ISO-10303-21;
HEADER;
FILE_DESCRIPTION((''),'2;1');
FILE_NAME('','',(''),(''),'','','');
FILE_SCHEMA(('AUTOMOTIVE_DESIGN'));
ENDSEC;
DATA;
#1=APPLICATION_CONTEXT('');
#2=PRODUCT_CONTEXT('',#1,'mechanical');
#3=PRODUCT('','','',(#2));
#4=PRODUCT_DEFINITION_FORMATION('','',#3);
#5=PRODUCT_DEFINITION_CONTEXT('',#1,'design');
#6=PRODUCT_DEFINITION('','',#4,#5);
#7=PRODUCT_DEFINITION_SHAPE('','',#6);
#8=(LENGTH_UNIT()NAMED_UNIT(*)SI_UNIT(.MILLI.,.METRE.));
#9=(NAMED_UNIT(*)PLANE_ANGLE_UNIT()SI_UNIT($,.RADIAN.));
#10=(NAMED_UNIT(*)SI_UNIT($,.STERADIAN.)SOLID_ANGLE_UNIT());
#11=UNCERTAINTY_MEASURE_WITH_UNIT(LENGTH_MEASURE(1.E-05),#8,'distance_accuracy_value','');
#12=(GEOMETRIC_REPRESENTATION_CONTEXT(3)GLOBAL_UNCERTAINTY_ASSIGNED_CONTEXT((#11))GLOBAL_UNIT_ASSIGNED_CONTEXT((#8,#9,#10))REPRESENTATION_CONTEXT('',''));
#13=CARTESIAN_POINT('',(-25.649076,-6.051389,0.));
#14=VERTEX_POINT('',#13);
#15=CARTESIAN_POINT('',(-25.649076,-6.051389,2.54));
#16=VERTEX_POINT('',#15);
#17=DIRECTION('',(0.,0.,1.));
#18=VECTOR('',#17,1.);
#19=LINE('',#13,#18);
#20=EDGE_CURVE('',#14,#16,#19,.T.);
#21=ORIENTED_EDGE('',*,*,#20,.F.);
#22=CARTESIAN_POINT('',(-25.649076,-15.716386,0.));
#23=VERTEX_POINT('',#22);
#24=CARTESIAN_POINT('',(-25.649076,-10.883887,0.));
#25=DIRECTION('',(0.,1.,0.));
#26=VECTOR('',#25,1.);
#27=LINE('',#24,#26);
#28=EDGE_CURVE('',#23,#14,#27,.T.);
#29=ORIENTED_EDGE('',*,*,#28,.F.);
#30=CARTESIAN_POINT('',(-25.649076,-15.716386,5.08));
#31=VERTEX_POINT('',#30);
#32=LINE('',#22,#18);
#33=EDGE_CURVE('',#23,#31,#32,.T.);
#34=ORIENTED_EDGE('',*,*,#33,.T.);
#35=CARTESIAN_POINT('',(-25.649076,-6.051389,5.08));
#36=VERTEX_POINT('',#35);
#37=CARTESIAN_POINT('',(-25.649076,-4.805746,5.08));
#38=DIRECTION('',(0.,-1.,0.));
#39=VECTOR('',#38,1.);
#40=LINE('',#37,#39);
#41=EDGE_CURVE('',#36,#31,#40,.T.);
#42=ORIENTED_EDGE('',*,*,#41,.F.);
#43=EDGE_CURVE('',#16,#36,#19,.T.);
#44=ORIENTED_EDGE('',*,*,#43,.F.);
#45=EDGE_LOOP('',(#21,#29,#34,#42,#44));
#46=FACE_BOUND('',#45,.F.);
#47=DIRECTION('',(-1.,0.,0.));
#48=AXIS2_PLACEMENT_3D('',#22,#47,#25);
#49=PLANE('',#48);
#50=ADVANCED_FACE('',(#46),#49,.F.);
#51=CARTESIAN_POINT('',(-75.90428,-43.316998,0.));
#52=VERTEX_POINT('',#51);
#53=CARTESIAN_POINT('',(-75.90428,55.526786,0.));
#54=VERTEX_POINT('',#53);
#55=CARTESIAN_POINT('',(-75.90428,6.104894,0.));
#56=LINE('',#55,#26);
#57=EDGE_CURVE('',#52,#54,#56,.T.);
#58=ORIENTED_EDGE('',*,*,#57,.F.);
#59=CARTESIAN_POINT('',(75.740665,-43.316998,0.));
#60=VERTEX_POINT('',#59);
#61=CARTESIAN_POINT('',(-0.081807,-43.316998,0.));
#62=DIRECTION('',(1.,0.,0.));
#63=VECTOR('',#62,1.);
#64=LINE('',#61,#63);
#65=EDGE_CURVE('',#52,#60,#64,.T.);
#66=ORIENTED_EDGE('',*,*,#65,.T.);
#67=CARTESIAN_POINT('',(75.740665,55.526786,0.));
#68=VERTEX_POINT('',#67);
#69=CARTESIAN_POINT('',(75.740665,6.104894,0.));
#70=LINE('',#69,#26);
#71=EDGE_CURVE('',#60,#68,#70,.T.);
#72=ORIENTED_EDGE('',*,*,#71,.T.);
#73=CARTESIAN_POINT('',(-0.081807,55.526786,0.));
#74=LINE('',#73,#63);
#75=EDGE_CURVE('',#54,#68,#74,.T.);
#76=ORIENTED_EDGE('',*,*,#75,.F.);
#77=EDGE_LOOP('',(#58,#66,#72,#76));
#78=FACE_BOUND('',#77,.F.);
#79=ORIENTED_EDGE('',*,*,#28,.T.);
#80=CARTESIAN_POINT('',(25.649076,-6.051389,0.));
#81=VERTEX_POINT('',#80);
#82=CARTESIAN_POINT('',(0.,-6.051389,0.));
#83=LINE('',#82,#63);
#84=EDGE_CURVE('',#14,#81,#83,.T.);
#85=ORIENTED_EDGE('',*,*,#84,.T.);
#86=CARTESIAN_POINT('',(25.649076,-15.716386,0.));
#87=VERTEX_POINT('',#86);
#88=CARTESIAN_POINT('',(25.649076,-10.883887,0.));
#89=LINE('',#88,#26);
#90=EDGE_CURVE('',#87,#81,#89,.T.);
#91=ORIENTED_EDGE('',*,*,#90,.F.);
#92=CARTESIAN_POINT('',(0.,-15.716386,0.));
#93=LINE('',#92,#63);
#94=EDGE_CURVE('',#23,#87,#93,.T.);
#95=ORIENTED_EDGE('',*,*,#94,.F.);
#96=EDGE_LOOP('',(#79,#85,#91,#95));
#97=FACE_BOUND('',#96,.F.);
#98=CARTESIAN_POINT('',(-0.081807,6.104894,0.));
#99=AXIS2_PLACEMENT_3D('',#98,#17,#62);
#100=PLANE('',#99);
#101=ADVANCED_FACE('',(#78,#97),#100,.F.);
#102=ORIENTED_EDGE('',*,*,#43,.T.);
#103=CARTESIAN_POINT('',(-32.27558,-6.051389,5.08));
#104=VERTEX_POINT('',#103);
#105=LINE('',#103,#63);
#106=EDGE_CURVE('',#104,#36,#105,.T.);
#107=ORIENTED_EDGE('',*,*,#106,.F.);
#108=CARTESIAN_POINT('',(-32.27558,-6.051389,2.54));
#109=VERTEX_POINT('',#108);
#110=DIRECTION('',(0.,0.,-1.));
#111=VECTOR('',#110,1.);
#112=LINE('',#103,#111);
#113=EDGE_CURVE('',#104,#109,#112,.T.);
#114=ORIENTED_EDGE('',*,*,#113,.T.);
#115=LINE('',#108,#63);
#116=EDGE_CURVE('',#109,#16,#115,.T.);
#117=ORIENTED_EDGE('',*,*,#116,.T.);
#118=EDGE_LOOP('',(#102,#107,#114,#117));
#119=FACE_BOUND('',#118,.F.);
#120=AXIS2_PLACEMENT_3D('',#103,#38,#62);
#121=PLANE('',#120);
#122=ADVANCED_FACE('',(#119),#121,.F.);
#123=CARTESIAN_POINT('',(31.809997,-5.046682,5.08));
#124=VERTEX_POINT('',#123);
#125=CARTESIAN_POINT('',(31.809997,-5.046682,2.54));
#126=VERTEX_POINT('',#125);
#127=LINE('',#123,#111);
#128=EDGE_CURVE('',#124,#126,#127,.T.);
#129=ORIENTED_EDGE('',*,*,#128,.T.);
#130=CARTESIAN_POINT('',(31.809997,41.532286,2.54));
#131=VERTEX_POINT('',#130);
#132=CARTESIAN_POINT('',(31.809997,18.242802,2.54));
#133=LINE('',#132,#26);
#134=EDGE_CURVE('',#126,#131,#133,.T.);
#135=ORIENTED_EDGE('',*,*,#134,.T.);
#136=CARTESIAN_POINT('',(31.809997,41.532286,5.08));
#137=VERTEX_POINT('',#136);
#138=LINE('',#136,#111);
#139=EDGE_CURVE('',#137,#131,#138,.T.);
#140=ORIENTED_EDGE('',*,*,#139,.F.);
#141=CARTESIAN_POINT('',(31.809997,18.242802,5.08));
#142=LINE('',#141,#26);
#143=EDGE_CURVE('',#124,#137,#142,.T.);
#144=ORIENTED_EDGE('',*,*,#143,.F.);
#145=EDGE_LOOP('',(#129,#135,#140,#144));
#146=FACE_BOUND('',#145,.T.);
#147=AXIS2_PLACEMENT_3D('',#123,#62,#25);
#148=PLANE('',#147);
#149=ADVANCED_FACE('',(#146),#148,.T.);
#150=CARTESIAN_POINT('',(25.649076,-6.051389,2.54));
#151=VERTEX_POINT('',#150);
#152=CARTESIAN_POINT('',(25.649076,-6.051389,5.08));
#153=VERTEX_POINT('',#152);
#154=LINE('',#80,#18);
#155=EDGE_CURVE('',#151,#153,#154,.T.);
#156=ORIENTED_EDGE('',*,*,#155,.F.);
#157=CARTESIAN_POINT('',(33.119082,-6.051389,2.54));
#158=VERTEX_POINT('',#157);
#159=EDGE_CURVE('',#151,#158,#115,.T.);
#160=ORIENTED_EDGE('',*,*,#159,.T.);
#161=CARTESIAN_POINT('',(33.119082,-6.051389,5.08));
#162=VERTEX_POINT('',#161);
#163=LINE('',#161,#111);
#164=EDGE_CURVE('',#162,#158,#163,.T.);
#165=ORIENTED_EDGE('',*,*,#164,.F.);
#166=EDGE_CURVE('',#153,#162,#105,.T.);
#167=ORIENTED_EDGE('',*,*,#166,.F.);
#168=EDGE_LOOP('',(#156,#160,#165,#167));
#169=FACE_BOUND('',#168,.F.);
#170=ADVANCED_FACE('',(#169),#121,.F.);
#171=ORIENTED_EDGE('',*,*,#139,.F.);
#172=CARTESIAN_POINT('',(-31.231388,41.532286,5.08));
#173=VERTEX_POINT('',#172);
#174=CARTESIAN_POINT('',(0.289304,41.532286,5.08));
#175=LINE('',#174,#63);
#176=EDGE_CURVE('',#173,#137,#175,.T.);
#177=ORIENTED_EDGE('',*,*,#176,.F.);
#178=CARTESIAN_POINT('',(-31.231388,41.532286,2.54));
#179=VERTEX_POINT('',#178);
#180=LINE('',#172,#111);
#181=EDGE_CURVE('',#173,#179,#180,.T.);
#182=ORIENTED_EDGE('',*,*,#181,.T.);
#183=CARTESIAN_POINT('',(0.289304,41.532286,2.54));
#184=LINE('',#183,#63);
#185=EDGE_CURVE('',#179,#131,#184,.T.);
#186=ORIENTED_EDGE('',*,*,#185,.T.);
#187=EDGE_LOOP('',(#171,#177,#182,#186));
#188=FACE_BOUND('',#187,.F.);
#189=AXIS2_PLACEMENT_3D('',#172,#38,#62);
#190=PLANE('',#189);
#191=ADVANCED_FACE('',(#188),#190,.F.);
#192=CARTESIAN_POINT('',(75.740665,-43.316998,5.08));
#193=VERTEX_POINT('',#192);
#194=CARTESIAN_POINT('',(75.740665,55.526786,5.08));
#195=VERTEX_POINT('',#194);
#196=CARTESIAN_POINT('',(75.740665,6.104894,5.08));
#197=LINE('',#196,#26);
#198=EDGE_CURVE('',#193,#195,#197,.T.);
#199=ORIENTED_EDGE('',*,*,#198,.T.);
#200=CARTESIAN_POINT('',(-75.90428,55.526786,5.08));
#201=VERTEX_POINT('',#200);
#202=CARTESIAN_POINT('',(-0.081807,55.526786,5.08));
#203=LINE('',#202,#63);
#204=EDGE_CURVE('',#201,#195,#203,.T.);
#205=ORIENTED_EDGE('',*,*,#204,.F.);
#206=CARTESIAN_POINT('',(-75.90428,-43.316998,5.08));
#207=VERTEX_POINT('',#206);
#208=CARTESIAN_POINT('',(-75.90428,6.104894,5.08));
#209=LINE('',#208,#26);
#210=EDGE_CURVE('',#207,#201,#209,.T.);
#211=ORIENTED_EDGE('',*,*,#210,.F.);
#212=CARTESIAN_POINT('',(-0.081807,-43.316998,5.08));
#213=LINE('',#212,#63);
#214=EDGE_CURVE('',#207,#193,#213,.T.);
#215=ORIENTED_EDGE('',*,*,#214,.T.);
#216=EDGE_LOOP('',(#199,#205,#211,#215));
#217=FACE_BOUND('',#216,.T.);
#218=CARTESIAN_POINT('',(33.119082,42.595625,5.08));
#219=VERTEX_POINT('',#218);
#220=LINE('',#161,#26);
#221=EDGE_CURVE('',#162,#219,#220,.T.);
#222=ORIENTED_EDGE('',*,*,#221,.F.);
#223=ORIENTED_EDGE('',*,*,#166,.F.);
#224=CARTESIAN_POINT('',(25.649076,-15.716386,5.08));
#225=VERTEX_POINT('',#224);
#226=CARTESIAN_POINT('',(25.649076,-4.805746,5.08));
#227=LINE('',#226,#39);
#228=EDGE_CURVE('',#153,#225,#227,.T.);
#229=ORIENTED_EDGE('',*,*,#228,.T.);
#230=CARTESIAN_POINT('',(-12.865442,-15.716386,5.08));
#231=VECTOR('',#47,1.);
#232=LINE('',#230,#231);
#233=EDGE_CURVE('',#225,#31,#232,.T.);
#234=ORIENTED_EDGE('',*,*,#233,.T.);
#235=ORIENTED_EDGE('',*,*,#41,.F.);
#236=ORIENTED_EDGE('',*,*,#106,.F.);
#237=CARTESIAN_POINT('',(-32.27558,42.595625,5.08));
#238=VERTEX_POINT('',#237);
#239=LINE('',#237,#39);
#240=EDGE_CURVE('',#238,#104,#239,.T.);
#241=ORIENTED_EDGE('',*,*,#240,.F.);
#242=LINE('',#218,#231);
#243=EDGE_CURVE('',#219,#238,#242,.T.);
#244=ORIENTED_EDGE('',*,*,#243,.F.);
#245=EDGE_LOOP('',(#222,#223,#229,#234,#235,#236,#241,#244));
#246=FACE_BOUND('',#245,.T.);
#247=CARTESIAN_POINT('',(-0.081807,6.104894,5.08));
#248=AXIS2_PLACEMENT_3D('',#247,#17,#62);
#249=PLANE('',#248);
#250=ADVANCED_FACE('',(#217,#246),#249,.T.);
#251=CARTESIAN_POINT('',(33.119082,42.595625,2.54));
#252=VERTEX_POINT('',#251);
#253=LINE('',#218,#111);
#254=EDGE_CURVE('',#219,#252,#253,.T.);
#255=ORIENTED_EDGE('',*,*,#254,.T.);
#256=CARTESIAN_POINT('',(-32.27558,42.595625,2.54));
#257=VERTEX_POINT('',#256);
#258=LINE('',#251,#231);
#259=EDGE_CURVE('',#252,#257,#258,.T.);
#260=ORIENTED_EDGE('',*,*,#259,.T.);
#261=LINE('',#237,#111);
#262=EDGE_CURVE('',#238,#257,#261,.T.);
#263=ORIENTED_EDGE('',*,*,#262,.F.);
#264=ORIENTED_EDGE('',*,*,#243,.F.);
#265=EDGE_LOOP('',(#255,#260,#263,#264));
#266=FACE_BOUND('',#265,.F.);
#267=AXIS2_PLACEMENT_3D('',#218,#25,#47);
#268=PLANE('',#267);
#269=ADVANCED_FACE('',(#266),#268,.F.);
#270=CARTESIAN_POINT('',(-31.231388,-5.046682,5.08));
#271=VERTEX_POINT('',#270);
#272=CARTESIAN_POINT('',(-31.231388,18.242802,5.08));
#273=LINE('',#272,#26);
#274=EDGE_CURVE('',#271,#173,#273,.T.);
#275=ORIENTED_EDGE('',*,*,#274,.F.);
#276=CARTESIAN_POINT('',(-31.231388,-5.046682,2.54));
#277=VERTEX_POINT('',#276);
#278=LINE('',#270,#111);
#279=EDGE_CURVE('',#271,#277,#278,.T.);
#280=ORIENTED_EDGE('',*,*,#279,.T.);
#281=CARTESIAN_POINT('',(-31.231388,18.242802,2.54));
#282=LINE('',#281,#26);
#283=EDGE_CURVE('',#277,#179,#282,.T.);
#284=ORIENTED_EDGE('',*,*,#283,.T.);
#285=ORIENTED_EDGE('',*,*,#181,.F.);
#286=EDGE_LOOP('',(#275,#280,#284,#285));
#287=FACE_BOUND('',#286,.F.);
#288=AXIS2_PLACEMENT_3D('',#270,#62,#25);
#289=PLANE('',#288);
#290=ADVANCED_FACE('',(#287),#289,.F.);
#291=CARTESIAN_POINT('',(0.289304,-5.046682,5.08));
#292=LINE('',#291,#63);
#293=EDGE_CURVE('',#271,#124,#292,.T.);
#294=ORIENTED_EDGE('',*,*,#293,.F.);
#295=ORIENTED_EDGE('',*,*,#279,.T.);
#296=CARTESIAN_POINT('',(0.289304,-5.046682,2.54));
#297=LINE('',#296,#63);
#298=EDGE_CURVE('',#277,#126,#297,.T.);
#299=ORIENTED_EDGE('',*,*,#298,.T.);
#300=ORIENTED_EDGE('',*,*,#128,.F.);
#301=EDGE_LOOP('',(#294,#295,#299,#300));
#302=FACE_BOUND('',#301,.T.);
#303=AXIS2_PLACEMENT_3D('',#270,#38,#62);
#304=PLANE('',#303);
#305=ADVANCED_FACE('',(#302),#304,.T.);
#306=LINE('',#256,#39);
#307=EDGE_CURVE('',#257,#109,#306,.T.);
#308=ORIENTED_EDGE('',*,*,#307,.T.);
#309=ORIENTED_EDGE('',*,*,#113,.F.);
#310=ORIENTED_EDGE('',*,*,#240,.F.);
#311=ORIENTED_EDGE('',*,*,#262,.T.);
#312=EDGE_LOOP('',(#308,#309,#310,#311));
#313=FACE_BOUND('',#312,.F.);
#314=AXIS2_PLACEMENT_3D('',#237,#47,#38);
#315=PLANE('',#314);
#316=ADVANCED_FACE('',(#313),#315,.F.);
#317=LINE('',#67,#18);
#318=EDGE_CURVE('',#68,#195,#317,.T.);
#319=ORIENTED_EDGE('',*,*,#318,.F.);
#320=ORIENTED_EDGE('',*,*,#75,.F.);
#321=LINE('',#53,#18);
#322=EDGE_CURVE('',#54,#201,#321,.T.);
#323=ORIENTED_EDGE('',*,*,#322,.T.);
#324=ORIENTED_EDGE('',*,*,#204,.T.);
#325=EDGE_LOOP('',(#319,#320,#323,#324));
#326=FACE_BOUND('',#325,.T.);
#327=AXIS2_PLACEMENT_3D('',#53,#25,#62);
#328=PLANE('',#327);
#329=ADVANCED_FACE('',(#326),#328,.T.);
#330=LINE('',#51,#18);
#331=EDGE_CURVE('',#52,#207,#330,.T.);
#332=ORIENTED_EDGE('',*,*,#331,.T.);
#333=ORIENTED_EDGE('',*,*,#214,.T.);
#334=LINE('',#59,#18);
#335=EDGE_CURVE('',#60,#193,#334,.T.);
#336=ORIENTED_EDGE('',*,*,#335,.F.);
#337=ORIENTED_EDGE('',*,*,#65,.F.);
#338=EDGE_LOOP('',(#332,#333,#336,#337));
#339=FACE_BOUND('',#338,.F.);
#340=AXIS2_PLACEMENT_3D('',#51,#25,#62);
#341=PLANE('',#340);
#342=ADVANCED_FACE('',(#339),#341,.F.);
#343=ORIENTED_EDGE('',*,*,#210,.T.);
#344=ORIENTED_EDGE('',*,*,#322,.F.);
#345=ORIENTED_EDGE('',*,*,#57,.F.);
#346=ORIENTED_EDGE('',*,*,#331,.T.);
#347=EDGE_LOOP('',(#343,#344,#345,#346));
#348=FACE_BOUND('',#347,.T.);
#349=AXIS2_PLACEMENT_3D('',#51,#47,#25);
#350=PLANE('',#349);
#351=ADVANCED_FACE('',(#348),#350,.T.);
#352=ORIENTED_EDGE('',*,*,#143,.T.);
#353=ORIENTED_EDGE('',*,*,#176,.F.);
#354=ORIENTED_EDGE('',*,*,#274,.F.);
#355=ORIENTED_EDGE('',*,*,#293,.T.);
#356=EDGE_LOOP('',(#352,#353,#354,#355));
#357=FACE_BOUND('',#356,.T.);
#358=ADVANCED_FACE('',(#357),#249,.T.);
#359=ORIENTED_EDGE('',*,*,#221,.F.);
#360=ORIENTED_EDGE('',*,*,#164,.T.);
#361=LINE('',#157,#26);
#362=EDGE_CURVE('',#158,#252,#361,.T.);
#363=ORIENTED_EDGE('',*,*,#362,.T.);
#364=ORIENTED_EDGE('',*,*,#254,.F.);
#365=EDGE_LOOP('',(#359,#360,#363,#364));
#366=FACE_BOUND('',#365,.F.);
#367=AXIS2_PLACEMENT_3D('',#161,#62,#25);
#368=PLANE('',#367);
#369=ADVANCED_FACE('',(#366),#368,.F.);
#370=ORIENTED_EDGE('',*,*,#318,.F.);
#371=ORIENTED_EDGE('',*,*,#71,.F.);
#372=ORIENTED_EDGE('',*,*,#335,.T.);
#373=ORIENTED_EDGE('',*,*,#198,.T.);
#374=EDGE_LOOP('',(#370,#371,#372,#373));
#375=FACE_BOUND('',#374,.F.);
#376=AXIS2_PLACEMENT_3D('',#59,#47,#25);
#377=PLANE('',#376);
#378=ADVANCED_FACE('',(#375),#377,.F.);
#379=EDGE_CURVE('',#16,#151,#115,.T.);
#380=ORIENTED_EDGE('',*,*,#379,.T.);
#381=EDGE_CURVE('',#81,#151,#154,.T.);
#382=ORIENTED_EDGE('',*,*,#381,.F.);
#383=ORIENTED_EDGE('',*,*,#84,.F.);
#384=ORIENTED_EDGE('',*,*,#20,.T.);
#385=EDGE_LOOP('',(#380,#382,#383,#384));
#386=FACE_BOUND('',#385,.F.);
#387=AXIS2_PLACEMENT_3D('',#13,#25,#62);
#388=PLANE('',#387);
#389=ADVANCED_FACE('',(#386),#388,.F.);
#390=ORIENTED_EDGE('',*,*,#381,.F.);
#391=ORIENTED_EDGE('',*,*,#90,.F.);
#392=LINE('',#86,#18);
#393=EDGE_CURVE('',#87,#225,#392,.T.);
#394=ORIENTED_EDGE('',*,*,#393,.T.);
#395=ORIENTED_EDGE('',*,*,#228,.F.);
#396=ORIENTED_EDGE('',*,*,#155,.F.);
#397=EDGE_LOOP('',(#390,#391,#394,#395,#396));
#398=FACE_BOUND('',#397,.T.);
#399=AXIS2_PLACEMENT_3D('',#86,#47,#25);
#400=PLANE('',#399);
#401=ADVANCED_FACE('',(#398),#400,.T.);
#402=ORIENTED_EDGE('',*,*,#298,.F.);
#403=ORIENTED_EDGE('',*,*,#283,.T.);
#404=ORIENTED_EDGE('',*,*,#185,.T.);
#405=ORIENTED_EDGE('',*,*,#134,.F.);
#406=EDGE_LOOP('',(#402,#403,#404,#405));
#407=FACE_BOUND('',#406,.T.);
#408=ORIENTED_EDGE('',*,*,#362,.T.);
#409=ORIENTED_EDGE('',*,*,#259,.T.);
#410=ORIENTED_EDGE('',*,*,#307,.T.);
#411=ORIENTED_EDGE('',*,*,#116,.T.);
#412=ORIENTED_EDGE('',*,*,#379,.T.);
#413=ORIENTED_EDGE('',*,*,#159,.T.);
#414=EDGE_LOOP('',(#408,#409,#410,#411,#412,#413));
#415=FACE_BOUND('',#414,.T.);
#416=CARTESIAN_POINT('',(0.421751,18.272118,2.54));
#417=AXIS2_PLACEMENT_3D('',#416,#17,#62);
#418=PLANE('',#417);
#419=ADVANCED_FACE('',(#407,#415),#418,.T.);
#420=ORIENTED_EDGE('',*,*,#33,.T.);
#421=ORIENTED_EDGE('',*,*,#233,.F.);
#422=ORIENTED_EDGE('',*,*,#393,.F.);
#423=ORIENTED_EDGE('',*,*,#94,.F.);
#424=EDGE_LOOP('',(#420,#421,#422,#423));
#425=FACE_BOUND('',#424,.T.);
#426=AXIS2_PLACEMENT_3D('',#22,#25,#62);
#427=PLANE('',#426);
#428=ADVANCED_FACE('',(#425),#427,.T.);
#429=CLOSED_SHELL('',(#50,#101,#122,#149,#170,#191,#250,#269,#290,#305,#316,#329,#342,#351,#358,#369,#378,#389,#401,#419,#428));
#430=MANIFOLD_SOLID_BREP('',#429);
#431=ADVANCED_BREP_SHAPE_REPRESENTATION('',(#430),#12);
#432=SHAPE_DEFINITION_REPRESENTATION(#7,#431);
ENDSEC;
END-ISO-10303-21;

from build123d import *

# Parameters (mm, degrees)
F0_W     = 151.6449451447
F0_H     = 98.8437831402
F1_DEPTH = 5.08
F2_W     = 51.2981526554
F2_H     = 9.6649971419
F3_DEPTH = 25.146
F4_W     = 63.0413852632
F4_H     = 46.5789679438
F5_DEPTH = 2.54


with BuildPart() as f1:
    # F0 (on Top) → F1 (new body)
    with BuildSketch(Plane.XY):
        with Locations((-0.081807375, 6.1048939824)):
            Rectangle(F0_W, F0_H)
    extrude(amount=F1_DEPTH)

    # F2 (on Top) → F3 (cut)
    with BuildSketch(Plane.XY):
        with Locations((0, -10.8838873326)):
            Rectangle(F2_W, F2_H)
    extrude(amount=F3_DEPTH, mode=Mode.SUBTRACT)

    # F4 (on face) → F5 (cut)
    with BuildSketch(Plane.XY.offset(5.08)):
        Polygon((-32.2755798697, 42.5956249237), (-32.2755798697, -6.0513887617), (-25.6490763277, -6.0513887617), (25.6490763277, -6.0513887617), (33.1190824509, -6.0513887617), (33.1190824509, 42.5956249237), align=None)
        with Locations((0.2893041819, 18.2428015396)):
            Rectangle(F4_W, F4_H, mode=Mode.SUBTRACT)
    extrude(amount=-F5_DEPTH, mode=Mode.SUBTRACT)


solid = f1.part
